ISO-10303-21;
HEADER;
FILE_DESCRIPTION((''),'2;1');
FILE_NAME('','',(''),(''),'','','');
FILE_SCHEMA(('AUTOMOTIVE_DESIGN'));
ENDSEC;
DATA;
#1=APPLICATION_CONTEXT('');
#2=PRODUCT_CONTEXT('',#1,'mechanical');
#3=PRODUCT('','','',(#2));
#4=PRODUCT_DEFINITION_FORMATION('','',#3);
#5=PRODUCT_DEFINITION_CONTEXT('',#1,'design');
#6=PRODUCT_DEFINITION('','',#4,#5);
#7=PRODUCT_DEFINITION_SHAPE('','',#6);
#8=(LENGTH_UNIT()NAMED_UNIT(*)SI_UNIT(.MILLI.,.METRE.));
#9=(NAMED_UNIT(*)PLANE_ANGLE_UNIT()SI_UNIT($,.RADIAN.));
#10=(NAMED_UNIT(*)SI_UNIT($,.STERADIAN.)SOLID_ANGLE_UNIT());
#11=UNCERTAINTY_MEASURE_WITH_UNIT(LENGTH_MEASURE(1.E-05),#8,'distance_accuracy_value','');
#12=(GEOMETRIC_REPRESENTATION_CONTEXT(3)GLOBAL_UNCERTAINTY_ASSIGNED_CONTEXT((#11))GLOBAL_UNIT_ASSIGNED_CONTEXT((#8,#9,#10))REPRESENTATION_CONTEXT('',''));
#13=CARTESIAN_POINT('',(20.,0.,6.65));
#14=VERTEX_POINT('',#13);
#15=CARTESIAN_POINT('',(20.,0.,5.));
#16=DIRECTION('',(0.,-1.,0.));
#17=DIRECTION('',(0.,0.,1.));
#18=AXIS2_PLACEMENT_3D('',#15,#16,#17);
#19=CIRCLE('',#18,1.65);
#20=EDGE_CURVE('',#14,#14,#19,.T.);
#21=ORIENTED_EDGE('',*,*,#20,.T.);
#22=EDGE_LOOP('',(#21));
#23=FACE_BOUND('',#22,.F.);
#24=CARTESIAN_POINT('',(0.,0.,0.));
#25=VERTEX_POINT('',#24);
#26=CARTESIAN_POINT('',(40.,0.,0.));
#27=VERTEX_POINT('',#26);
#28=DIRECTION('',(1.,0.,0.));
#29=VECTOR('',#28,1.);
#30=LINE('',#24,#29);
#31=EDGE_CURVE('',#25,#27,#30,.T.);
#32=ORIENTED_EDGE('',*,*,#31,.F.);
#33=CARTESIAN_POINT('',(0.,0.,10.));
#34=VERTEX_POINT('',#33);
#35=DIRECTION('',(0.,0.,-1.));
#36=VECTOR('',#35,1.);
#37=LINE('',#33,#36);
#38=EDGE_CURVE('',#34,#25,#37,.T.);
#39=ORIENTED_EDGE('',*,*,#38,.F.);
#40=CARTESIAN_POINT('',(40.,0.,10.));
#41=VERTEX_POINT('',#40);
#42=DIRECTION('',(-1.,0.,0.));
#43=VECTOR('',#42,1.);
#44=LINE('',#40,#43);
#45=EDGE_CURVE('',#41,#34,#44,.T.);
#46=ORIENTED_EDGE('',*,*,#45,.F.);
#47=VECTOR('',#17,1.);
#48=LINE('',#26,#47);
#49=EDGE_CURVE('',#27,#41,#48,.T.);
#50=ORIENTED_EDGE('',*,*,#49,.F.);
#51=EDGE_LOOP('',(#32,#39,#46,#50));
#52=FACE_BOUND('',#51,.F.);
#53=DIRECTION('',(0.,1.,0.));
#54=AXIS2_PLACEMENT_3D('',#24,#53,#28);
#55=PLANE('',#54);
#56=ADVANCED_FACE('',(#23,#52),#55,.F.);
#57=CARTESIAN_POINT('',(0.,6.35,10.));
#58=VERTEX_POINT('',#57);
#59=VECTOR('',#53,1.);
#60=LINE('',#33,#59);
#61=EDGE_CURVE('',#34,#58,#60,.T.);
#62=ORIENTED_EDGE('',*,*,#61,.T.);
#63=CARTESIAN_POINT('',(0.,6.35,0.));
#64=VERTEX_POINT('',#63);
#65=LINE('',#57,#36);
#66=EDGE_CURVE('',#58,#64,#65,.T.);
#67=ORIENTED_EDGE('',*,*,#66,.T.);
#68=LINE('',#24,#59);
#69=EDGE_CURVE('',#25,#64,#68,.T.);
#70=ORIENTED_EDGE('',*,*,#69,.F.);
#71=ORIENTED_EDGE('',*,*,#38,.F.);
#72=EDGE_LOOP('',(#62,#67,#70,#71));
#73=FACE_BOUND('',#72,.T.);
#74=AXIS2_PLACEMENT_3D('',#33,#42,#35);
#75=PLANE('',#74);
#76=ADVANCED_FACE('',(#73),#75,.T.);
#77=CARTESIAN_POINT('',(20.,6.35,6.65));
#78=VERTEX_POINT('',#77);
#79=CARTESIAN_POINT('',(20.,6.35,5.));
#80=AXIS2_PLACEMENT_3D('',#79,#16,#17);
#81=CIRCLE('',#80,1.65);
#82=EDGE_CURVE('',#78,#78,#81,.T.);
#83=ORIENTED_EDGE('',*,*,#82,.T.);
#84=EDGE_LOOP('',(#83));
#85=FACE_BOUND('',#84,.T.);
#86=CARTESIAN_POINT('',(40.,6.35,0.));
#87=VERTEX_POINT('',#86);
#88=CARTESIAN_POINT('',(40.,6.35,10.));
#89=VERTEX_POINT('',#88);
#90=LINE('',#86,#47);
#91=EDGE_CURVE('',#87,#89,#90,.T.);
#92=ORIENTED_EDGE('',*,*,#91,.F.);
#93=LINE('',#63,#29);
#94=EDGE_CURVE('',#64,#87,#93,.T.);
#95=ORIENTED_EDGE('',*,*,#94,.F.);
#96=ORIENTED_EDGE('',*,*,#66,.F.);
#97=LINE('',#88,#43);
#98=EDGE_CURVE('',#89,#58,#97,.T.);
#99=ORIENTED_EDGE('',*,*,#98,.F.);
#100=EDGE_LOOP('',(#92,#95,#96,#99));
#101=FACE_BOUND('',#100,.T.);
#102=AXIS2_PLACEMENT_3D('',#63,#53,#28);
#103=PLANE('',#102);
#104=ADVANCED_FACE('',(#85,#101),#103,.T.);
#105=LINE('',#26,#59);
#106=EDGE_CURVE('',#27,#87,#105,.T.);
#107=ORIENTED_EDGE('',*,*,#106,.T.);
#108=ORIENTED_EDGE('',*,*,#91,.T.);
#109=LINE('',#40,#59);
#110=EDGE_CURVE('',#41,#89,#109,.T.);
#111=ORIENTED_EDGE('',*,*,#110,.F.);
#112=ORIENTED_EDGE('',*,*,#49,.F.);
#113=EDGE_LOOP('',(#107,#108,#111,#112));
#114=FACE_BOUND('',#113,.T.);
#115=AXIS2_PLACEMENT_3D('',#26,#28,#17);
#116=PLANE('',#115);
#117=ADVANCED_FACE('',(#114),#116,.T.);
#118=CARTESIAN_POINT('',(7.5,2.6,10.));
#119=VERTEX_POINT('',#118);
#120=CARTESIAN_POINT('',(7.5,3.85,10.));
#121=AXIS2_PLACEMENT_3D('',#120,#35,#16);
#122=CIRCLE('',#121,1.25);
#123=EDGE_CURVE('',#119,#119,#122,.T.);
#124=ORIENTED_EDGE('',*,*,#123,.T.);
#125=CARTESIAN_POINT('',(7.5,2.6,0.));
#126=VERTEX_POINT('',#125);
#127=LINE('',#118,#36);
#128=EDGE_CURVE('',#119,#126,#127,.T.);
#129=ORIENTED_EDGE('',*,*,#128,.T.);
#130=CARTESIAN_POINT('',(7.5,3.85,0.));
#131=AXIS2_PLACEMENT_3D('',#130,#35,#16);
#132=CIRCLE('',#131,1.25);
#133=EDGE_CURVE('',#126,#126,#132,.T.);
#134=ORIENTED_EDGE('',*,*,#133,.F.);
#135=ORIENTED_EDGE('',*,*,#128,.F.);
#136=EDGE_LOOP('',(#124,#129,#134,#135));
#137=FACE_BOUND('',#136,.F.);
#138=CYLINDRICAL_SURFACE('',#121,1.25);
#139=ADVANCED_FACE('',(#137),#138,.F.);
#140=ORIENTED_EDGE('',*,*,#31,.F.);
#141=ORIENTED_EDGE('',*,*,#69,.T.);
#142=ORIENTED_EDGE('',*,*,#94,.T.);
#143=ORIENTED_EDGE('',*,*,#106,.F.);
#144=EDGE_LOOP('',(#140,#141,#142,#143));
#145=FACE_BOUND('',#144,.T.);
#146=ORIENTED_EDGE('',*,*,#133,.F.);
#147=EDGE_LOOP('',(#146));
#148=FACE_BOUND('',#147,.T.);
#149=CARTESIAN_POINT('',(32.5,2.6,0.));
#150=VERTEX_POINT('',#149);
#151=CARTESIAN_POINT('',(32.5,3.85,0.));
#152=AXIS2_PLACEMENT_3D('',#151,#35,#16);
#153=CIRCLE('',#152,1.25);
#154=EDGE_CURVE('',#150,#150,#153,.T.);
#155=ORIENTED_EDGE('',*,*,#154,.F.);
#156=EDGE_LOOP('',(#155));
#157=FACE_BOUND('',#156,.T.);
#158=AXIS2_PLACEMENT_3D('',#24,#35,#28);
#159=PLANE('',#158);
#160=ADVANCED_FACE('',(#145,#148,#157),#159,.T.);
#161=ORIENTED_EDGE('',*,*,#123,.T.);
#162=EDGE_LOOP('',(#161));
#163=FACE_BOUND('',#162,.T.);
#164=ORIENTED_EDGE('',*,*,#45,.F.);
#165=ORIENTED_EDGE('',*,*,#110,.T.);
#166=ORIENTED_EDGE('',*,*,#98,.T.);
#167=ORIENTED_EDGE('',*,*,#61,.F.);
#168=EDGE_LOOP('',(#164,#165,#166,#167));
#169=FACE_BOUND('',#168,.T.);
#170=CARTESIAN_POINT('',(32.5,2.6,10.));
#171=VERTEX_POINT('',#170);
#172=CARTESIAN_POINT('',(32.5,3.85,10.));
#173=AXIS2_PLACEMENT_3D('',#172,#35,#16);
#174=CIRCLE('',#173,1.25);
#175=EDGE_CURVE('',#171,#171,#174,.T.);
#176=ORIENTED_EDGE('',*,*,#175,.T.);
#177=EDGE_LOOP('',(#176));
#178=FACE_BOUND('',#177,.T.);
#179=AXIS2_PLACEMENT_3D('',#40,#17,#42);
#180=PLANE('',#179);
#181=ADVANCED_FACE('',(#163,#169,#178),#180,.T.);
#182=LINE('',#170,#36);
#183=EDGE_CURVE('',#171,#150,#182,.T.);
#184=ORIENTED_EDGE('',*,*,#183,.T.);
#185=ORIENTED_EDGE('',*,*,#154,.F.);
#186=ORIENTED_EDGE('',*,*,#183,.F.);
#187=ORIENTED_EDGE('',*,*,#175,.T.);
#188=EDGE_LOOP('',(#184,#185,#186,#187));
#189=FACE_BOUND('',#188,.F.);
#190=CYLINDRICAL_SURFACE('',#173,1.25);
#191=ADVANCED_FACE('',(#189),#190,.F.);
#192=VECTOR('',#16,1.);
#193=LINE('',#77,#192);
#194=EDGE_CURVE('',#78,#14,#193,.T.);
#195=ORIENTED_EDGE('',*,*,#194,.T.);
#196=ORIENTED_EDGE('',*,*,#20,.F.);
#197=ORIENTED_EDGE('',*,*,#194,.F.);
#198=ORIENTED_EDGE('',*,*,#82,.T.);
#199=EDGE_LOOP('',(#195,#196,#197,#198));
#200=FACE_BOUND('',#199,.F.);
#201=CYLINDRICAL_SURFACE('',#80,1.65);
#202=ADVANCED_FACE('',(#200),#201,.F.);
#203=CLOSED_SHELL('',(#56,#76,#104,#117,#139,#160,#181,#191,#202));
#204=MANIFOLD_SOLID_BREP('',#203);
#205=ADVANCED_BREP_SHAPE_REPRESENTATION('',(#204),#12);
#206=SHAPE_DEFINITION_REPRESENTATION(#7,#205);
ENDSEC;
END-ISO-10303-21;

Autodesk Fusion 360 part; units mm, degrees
sketch "Sketch1" plane through (0, 0, 0) normal (0, 1, 0) x (1, 0, 0)
  line L0 (0, 0) -> (40, 0)
  line L1 (40, 0) -> (40, -10)
  line L2 (40, -10) -> (0, -10)
  line L3 (0, -10) -> (0, 0)
  dimension "d1" = 40
  dimension "d2" = 10
extrude "Extrude1" add sketch "Sketch1" along normal blind 6.35
sketch "Sketch2" plane through (0, 6.35, 0) normal (0, 1, 0) x (-1, 0, 0)
  line L0 (0, 10) -> (-40, 10)
  line L1 (-40, 10) -> (-40, 0)
  line L2 (-40, 0) -> (0, 0)
  line L3 (0, 0) -> (0, 10)
  line L4 (0, 5) -> (-40, 5) construction
  point P0 (-20, 5)
hole "Hole1" at (20, 6.35, 5) direction (0, -1, 0) diameter 3.3 end through all
sketch "Sketch3" plane through (0, 0, 10) normal (0, 0, 1) x (1, 0, 0)
  line L0 (0, 0) -> (40, 0)
  line L1 (40, 0) -> (40, 6.35)
  line L2 (40, 6.35) -> (0, 6.35)
  line L3 (0, 6.35) -> (0, 0)
  line L4 (0, 3.85) -> (39.5878, 3.85) construction
  point P0 (7.5, 3.85)
  point P1 (32.5, 3.85)
  dimension "d10" = 7.5
  dimension "d11" = 25
  dimension "d18" = 2.5
hole "Hole4" at (7.5, 3.85, 10) direction (0, 0, -1) diameter 2.5 end through all
hole "Hole5" at (32.5, 3.85, 10) direction (0, 0, -1) diameter 2.5 end through all
hole "Hole2" [suppressed]
hole "Hole3" [suppressed]
